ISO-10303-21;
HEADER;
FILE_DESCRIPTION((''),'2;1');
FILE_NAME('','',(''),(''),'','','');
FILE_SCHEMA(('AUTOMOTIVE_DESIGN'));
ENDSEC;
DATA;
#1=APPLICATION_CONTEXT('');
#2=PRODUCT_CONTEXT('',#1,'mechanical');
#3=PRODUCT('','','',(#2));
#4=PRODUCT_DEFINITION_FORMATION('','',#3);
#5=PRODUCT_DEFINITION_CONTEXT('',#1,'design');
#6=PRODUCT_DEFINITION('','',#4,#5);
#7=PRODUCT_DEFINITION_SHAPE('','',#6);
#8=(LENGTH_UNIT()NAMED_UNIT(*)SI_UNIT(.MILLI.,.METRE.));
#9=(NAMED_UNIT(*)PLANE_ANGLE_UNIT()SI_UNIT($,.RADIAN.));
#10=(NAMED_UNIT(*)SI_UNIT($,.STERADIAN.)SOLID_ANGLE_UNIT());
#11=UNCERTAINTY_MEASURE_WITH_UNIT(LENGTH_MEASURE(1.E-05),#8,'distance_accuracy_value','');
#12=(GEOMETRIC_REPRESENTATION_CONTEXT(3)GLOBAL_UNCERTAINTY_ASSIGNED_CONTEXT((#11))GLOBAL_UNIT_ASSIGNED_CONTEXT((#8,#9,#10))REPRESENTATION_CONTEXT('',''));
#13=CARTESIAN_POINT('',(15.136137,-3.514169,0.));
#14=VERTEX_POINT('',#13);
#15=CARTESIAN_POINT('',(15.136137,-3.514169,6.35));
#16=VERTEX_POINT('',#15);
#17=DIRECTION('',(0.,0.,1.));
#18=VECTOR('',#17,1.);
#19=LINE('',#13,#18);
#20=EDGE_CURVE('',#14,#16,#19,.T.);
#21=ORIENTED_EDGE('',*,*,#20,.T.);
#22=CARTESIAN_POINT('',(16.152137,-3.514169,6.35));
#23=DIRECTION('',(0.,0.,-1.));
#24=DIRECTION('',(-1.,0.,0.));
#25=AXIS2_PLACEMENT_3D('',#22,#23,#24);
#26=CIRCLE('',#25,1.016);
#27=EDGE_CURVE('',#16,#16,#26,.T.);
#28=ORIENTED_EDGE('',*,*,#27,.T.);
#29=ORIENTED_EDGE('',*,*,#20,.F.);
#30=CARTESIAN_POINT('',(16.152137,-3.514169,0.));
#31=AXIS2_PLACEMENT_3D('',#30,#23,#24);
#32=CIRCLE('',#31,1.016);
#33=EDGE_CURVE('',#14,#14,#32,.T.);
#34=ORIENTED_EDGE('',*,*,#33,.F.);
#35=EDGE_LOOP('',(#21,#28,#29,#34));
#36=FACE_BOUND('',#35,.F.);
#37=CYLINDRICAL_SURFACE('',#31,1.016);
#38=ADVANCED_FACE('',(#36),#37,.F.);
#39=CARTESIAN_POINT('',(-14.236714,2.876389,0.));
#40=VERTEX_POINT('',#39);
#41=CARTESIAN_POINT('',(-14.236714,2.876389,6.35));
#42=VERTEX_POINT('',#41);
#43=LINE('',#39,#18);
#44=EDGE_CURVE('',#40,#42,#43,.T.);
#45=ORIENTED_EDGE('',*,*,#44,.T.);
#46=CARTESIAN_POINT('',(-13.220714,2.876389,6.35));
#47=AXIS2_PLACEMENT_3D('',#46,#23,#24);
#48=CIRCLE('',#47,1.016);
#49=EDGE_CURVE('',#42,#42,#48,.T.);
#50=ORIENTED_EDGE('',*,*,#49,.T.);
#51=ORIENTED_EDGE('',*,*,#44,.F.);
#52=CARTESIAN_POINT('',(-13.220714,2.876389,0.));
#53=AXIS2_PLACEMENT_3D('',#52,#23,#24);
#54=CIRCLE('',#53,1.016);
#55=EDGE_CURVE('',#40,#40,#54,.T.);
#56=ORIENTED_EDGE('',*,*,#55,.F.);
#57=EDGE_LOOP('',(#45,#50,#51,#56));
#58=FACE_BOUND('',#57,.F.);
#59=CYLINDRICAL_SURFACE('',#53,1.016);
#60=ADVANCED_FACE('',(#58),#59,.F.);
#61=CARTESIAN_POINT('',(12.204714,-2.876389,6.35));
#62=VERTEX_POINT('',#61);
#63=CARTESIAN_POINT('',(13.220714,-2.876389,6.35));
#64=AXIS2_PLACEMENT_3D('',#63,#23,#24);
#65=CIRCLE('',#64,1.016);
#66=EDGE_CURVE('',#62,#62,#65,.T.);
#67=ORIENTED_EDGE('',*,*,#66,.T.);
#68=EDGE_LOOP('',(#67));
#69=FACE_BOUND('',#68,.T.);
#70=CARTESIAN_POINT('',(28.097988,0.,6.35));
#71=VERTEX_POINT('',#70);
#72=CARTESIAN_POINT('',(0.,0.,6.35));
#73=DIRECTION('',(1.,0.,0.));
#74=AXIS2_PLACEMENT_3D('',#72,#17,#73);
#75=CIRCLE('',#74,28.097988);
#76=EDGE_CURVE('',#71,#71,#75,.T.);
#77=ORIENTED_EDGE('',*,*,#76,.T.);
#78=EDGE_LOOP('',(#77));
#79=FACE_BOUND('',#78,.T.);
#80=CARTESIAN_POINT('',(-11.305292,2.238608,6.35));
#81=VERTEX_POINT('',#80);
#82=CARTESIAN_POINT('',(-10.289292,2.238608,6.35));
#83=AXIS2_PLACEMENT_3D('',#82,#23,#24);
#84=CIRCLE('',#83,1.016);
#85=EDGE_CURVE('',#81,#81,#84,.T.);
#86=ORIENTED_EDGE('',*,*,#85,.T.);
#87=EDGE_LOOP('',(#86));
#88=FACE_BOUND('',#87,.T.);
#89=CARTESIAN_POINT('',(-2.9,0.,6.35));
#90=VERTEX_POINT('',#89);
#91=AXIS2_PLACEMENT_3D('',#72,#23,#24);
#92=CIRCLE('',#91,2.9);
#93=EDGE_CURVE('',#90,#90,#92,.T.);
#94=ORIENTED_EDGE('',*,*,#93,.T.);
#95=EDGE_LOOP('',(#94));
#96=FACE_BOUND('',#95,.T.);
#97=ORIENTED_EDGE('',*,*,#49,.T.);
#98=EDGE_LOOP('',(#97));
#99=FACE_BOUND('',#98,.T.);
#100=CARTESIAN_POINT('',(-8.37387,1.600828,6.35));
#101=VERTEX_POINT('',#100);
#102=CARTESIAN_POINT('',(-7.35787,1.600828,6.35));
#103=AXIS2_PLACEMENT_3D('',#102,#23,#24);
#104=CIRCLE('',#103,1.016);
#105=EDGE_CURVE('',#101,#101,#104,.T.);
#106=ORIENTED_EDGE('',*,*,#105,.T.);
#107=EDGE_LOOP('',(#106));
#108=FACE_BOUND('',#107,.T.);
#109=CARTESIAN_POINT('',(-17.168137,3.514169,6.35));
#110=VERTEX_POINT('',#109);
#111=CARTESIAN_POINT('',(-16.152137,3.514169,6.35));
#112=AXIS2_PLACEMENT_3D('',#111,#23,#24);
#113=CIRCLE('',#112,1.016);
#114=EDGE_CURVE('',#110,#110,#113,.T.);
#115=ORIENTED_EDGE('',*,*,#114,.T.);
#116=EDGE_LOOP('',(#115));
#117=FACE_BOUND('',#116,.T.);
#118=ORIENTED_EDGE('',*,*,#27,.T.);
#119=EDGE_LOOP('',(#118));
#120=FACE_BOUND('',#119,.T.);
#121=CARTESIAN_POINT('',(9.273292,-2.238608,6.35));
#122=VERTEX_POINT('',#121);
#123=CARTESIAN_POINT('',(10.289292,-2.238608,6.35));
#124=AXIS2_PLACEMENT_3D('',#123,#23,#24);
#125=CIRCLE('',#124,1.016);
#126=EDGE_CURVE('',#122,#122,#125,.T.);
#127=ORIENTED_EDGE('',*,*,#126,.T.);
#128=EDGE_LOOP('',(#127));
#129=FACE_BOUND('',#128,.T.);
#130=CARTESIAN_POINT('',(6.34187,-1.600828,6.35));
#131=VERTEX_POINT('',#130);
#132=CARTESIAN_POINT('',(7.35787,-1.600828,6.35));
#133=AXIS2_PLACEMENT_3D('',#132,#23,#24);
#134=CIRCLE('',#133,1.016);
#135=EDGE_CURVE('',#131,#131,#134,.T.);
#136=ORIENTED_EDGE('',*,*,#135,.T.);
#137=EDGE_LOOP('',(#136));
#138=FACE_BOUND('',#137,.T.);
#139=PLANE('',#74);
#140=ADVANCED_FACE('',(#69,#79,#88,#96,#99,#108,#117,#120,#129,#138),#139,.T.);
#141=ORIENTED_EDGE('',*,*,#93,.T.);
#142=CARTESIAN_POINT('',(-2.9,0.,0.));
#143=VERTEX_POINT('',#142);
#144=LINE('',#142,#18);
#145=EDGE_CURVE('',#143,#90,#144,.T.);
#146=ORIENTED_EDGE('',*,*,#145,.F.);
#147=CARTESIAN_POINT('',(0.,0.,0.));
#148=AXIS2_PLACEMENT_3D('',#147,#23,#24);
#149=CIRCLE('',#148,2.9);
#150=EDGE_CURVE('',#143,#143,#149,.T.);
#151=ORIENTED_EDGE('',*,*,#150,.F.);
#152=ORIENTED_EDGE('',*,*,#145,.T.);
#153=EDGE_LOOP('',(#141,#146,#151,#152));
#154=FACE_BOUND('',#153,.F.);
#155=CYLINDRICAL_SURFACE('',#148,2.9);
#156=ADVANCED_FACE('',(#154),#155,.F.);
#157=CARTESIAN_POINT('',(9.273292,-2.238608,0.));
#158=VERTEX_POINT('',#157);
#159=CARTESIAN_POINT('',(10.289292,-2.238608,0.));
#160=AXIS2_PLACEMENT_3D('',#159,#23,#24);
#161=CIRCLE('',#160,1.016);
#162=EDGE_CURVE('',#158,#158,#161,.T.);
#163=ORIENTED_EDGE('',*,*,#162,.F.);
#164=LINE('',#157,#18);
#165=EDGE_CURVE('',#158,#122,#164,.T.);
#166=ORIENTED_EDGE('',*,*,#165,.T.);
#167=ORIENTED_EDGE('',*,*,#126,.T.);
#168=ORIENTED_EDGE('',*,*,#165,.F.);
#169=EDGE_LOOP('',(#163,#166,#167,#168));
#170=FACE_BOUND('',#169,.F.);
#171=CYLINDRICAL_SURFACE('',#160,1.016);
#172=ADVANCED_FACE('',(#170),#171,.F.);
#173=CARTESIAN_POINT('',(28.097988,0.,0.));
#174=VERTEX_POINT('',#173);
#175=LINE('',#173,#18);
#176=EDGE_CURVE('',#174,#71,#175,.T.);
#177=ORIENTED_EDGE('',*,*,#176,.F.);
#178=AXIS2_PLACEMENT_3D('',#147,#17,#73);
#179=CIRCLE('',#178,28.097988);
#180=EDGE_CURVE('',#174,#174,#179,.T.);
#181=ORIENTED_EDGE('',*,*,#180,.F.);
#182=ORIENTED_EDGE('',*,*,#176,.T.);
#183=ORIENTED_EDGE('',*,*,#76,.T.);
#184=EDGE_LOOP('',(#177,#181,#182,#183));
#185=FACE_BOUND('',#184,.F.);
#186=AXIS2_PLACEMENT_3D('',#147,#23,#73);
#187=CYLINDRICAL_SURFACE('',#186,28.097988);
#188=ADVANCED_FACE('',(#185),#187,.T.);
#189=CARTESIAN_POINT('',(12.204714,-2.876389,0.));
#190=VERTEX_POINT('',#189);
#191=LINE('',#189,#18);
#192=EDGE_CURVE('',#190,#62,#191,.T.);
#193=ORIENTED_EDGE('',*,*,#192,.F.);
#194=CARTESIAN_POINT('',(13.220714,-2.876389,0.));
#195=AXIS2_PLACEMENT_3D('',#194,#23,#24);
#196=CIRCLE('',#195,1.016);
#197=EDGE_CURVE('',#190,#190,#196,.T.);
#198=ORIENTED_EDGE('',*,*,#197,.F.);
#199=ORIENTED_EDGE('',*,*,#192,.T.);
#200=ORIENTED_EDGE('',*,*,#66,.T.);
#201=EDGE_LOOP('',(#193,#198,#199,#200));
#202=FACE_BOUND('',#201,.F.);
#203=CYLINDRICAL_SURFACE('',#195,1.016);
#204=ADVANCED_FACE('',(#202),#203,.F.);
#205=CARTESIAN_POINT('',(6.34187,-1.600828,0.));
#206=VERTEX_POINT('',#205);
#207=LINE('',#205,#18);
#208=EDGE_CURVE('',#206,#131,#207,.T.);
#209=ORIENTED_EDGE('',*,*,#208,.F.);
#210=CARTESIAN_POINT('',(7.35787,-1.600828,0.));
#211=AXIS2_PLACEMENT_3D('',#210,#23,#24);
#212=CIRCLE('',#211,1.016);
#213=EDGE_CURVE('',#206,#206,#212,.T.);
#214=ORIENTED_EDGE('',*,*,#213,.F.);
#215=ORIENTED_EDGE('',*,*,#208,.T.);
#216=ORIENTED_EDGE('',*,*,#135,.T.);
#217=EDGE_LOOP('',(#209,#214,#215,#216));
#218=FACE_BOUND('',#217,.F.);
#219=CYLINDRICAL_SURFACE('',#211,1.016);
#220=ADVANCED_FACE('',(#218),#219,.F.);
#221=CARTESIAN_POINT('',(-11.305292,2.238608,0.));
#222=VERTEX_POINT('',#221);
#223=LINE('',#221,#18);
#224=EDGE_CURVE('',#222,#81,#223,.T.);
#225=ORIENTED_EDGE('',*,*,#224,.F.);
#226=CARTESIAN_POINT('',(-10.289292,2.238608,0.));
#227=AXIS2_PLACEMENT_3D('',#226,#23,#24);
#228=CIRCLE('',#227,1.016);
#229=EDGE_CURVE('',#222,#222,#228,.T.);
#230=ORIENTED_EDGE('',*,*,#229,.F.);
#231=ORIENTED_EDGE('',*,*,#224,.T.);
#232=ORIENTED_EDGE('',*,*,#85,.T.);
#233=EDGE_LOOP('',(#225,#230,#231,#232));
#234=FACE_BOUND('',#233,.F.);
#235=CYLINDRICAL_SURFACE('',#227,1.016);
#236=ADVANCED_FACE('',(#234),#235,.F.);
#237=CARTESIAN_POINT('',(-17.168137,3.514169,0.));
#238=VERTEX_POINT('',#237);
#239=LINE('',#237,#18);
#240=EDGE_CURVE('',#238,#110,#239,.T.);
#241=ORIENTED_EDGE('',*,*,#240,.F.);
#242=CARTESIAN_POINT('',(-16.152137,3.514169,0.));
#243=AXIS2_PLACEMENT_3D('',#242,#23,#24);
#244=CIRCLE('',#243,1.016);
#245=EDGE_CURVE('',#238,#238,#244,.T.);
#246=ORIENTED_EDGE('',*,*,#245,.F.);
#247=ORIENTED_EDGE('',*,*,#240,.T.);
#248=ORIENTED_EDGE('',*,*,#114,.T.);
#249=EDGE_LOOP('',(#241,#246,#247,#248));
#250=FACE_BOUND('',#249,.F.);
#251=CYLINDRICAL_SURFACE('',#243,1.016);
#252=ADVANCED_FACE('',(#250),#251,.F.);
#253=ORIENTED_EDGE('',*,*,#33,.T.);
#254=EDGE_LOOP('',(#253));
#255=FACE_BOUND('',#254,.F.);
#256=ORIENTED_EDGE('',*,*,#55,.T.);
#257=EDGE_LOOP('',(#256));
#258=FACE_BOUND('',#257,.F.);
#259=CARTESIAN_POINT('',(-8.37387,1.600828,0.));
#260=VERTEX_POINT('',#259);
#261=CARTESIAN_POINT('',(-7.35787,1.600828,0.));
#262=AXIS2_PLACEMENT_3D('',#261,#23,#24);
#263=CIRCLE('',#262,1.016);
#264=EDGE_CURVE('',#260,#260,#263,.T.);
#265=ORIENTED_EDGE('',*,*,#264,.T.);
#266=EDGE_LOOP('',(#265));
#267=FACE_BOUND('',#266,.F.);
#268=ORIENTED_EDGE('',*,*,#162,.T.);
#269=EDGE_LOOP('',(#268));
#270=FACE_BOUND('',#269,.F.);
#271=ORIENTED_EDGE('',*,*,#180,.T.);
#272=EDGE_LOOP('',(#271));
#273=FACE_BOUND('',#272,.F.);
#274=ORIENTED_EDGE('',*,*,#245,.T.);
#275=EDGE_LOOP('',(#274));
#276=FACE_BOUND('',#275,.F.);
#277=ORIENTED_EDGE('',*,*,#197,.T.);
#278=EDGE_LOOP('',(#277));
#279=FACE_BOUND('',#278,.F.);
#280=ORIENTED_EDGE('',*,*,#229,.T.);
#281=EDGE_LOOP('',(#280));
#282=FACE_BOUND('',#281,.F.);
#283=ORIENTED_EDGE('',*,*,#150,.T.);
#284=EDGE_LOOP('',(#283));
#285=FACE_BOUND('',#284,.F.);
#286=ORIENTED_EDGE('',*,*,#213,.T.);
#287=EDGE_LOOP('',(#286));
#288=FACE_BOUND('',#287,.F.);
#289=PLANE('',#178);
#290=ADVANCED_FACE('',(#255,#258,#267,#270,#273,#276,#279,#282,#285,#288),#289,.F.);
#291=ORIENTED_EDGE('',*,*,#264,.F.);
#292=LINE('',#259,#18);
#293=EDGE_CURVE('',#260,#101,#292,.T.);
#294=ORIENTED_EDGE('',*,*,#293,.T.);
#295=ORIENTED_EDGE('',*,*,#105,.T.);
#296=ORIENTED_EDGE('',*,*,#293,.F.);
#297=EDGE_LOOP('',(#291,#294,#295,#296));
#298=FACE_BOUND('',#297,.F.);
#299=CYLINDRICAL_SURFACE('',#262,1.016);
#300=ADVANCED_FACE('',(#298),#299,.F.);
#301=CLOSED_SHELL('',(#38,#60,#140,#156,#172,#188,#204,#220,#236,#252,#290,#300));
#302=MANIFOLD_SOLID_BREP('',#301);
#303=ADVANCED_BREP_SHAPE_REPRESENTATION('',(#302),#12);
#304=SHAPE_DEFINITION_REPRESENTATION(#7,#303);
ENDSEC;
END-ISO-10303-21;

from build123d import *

# Parameters (mm, degrees)
SKETCH1_R           = 28.097988
BOSS_EXTRUDE1_DEPTH = 6.35
SKETCH2_R           = 1.016
SKETCH2_R_2         = 2.9
CUT_EXTRUDE1_DEPTH  = 6.35


with BuildPart() as part:
    # Sketch1 → Boss-Extrude1 (new body)
    with BuildSketch(Plane.XY):
        Circle(SKETCH1_R)
    extrude(amount=BOSS_EXTRUDE1_DEPTH)

    # Sketch2 → Cut-Extrude1 (cut)
    with BuildSketch(Plane(origin=(0, 0, 0), x_dir=(-1, 0, 0), z_dir=(0, 0, -1))):
        with Locations((-13.220714373, -2.876388616)):
            Circle(SKETCH2_R)
        with Locations((-16.152136629, -3.514168797)):
            Circle(SKETCH2_R)
        with Locations((-10.289292117, -2.238608435)):
            Circle(SKETCH2_R)
        with Locations((-7.357869862, -1.600828254)):
            Circle(SKETCH2_R)
        with Locations((7.357869862, 1.600828254)):
            Circle(SKETCH2_R)
        with Locations((10.289292117, 2.238608435)):
            Circle(SKETCH2_R)
        with Locations((13.220714373, 2.876388616)):
            Circle(SKETCH2_R)
        with Locations((16.152136629, 3.514168797)):
            Circle(SKETCH2_R)
        Circle(SKETCH2_R_2)
    extrude(amount=-CUT_EXTRUDE1_DEPTH, mode=Mode.SUBTRACT)


solid = part.part
